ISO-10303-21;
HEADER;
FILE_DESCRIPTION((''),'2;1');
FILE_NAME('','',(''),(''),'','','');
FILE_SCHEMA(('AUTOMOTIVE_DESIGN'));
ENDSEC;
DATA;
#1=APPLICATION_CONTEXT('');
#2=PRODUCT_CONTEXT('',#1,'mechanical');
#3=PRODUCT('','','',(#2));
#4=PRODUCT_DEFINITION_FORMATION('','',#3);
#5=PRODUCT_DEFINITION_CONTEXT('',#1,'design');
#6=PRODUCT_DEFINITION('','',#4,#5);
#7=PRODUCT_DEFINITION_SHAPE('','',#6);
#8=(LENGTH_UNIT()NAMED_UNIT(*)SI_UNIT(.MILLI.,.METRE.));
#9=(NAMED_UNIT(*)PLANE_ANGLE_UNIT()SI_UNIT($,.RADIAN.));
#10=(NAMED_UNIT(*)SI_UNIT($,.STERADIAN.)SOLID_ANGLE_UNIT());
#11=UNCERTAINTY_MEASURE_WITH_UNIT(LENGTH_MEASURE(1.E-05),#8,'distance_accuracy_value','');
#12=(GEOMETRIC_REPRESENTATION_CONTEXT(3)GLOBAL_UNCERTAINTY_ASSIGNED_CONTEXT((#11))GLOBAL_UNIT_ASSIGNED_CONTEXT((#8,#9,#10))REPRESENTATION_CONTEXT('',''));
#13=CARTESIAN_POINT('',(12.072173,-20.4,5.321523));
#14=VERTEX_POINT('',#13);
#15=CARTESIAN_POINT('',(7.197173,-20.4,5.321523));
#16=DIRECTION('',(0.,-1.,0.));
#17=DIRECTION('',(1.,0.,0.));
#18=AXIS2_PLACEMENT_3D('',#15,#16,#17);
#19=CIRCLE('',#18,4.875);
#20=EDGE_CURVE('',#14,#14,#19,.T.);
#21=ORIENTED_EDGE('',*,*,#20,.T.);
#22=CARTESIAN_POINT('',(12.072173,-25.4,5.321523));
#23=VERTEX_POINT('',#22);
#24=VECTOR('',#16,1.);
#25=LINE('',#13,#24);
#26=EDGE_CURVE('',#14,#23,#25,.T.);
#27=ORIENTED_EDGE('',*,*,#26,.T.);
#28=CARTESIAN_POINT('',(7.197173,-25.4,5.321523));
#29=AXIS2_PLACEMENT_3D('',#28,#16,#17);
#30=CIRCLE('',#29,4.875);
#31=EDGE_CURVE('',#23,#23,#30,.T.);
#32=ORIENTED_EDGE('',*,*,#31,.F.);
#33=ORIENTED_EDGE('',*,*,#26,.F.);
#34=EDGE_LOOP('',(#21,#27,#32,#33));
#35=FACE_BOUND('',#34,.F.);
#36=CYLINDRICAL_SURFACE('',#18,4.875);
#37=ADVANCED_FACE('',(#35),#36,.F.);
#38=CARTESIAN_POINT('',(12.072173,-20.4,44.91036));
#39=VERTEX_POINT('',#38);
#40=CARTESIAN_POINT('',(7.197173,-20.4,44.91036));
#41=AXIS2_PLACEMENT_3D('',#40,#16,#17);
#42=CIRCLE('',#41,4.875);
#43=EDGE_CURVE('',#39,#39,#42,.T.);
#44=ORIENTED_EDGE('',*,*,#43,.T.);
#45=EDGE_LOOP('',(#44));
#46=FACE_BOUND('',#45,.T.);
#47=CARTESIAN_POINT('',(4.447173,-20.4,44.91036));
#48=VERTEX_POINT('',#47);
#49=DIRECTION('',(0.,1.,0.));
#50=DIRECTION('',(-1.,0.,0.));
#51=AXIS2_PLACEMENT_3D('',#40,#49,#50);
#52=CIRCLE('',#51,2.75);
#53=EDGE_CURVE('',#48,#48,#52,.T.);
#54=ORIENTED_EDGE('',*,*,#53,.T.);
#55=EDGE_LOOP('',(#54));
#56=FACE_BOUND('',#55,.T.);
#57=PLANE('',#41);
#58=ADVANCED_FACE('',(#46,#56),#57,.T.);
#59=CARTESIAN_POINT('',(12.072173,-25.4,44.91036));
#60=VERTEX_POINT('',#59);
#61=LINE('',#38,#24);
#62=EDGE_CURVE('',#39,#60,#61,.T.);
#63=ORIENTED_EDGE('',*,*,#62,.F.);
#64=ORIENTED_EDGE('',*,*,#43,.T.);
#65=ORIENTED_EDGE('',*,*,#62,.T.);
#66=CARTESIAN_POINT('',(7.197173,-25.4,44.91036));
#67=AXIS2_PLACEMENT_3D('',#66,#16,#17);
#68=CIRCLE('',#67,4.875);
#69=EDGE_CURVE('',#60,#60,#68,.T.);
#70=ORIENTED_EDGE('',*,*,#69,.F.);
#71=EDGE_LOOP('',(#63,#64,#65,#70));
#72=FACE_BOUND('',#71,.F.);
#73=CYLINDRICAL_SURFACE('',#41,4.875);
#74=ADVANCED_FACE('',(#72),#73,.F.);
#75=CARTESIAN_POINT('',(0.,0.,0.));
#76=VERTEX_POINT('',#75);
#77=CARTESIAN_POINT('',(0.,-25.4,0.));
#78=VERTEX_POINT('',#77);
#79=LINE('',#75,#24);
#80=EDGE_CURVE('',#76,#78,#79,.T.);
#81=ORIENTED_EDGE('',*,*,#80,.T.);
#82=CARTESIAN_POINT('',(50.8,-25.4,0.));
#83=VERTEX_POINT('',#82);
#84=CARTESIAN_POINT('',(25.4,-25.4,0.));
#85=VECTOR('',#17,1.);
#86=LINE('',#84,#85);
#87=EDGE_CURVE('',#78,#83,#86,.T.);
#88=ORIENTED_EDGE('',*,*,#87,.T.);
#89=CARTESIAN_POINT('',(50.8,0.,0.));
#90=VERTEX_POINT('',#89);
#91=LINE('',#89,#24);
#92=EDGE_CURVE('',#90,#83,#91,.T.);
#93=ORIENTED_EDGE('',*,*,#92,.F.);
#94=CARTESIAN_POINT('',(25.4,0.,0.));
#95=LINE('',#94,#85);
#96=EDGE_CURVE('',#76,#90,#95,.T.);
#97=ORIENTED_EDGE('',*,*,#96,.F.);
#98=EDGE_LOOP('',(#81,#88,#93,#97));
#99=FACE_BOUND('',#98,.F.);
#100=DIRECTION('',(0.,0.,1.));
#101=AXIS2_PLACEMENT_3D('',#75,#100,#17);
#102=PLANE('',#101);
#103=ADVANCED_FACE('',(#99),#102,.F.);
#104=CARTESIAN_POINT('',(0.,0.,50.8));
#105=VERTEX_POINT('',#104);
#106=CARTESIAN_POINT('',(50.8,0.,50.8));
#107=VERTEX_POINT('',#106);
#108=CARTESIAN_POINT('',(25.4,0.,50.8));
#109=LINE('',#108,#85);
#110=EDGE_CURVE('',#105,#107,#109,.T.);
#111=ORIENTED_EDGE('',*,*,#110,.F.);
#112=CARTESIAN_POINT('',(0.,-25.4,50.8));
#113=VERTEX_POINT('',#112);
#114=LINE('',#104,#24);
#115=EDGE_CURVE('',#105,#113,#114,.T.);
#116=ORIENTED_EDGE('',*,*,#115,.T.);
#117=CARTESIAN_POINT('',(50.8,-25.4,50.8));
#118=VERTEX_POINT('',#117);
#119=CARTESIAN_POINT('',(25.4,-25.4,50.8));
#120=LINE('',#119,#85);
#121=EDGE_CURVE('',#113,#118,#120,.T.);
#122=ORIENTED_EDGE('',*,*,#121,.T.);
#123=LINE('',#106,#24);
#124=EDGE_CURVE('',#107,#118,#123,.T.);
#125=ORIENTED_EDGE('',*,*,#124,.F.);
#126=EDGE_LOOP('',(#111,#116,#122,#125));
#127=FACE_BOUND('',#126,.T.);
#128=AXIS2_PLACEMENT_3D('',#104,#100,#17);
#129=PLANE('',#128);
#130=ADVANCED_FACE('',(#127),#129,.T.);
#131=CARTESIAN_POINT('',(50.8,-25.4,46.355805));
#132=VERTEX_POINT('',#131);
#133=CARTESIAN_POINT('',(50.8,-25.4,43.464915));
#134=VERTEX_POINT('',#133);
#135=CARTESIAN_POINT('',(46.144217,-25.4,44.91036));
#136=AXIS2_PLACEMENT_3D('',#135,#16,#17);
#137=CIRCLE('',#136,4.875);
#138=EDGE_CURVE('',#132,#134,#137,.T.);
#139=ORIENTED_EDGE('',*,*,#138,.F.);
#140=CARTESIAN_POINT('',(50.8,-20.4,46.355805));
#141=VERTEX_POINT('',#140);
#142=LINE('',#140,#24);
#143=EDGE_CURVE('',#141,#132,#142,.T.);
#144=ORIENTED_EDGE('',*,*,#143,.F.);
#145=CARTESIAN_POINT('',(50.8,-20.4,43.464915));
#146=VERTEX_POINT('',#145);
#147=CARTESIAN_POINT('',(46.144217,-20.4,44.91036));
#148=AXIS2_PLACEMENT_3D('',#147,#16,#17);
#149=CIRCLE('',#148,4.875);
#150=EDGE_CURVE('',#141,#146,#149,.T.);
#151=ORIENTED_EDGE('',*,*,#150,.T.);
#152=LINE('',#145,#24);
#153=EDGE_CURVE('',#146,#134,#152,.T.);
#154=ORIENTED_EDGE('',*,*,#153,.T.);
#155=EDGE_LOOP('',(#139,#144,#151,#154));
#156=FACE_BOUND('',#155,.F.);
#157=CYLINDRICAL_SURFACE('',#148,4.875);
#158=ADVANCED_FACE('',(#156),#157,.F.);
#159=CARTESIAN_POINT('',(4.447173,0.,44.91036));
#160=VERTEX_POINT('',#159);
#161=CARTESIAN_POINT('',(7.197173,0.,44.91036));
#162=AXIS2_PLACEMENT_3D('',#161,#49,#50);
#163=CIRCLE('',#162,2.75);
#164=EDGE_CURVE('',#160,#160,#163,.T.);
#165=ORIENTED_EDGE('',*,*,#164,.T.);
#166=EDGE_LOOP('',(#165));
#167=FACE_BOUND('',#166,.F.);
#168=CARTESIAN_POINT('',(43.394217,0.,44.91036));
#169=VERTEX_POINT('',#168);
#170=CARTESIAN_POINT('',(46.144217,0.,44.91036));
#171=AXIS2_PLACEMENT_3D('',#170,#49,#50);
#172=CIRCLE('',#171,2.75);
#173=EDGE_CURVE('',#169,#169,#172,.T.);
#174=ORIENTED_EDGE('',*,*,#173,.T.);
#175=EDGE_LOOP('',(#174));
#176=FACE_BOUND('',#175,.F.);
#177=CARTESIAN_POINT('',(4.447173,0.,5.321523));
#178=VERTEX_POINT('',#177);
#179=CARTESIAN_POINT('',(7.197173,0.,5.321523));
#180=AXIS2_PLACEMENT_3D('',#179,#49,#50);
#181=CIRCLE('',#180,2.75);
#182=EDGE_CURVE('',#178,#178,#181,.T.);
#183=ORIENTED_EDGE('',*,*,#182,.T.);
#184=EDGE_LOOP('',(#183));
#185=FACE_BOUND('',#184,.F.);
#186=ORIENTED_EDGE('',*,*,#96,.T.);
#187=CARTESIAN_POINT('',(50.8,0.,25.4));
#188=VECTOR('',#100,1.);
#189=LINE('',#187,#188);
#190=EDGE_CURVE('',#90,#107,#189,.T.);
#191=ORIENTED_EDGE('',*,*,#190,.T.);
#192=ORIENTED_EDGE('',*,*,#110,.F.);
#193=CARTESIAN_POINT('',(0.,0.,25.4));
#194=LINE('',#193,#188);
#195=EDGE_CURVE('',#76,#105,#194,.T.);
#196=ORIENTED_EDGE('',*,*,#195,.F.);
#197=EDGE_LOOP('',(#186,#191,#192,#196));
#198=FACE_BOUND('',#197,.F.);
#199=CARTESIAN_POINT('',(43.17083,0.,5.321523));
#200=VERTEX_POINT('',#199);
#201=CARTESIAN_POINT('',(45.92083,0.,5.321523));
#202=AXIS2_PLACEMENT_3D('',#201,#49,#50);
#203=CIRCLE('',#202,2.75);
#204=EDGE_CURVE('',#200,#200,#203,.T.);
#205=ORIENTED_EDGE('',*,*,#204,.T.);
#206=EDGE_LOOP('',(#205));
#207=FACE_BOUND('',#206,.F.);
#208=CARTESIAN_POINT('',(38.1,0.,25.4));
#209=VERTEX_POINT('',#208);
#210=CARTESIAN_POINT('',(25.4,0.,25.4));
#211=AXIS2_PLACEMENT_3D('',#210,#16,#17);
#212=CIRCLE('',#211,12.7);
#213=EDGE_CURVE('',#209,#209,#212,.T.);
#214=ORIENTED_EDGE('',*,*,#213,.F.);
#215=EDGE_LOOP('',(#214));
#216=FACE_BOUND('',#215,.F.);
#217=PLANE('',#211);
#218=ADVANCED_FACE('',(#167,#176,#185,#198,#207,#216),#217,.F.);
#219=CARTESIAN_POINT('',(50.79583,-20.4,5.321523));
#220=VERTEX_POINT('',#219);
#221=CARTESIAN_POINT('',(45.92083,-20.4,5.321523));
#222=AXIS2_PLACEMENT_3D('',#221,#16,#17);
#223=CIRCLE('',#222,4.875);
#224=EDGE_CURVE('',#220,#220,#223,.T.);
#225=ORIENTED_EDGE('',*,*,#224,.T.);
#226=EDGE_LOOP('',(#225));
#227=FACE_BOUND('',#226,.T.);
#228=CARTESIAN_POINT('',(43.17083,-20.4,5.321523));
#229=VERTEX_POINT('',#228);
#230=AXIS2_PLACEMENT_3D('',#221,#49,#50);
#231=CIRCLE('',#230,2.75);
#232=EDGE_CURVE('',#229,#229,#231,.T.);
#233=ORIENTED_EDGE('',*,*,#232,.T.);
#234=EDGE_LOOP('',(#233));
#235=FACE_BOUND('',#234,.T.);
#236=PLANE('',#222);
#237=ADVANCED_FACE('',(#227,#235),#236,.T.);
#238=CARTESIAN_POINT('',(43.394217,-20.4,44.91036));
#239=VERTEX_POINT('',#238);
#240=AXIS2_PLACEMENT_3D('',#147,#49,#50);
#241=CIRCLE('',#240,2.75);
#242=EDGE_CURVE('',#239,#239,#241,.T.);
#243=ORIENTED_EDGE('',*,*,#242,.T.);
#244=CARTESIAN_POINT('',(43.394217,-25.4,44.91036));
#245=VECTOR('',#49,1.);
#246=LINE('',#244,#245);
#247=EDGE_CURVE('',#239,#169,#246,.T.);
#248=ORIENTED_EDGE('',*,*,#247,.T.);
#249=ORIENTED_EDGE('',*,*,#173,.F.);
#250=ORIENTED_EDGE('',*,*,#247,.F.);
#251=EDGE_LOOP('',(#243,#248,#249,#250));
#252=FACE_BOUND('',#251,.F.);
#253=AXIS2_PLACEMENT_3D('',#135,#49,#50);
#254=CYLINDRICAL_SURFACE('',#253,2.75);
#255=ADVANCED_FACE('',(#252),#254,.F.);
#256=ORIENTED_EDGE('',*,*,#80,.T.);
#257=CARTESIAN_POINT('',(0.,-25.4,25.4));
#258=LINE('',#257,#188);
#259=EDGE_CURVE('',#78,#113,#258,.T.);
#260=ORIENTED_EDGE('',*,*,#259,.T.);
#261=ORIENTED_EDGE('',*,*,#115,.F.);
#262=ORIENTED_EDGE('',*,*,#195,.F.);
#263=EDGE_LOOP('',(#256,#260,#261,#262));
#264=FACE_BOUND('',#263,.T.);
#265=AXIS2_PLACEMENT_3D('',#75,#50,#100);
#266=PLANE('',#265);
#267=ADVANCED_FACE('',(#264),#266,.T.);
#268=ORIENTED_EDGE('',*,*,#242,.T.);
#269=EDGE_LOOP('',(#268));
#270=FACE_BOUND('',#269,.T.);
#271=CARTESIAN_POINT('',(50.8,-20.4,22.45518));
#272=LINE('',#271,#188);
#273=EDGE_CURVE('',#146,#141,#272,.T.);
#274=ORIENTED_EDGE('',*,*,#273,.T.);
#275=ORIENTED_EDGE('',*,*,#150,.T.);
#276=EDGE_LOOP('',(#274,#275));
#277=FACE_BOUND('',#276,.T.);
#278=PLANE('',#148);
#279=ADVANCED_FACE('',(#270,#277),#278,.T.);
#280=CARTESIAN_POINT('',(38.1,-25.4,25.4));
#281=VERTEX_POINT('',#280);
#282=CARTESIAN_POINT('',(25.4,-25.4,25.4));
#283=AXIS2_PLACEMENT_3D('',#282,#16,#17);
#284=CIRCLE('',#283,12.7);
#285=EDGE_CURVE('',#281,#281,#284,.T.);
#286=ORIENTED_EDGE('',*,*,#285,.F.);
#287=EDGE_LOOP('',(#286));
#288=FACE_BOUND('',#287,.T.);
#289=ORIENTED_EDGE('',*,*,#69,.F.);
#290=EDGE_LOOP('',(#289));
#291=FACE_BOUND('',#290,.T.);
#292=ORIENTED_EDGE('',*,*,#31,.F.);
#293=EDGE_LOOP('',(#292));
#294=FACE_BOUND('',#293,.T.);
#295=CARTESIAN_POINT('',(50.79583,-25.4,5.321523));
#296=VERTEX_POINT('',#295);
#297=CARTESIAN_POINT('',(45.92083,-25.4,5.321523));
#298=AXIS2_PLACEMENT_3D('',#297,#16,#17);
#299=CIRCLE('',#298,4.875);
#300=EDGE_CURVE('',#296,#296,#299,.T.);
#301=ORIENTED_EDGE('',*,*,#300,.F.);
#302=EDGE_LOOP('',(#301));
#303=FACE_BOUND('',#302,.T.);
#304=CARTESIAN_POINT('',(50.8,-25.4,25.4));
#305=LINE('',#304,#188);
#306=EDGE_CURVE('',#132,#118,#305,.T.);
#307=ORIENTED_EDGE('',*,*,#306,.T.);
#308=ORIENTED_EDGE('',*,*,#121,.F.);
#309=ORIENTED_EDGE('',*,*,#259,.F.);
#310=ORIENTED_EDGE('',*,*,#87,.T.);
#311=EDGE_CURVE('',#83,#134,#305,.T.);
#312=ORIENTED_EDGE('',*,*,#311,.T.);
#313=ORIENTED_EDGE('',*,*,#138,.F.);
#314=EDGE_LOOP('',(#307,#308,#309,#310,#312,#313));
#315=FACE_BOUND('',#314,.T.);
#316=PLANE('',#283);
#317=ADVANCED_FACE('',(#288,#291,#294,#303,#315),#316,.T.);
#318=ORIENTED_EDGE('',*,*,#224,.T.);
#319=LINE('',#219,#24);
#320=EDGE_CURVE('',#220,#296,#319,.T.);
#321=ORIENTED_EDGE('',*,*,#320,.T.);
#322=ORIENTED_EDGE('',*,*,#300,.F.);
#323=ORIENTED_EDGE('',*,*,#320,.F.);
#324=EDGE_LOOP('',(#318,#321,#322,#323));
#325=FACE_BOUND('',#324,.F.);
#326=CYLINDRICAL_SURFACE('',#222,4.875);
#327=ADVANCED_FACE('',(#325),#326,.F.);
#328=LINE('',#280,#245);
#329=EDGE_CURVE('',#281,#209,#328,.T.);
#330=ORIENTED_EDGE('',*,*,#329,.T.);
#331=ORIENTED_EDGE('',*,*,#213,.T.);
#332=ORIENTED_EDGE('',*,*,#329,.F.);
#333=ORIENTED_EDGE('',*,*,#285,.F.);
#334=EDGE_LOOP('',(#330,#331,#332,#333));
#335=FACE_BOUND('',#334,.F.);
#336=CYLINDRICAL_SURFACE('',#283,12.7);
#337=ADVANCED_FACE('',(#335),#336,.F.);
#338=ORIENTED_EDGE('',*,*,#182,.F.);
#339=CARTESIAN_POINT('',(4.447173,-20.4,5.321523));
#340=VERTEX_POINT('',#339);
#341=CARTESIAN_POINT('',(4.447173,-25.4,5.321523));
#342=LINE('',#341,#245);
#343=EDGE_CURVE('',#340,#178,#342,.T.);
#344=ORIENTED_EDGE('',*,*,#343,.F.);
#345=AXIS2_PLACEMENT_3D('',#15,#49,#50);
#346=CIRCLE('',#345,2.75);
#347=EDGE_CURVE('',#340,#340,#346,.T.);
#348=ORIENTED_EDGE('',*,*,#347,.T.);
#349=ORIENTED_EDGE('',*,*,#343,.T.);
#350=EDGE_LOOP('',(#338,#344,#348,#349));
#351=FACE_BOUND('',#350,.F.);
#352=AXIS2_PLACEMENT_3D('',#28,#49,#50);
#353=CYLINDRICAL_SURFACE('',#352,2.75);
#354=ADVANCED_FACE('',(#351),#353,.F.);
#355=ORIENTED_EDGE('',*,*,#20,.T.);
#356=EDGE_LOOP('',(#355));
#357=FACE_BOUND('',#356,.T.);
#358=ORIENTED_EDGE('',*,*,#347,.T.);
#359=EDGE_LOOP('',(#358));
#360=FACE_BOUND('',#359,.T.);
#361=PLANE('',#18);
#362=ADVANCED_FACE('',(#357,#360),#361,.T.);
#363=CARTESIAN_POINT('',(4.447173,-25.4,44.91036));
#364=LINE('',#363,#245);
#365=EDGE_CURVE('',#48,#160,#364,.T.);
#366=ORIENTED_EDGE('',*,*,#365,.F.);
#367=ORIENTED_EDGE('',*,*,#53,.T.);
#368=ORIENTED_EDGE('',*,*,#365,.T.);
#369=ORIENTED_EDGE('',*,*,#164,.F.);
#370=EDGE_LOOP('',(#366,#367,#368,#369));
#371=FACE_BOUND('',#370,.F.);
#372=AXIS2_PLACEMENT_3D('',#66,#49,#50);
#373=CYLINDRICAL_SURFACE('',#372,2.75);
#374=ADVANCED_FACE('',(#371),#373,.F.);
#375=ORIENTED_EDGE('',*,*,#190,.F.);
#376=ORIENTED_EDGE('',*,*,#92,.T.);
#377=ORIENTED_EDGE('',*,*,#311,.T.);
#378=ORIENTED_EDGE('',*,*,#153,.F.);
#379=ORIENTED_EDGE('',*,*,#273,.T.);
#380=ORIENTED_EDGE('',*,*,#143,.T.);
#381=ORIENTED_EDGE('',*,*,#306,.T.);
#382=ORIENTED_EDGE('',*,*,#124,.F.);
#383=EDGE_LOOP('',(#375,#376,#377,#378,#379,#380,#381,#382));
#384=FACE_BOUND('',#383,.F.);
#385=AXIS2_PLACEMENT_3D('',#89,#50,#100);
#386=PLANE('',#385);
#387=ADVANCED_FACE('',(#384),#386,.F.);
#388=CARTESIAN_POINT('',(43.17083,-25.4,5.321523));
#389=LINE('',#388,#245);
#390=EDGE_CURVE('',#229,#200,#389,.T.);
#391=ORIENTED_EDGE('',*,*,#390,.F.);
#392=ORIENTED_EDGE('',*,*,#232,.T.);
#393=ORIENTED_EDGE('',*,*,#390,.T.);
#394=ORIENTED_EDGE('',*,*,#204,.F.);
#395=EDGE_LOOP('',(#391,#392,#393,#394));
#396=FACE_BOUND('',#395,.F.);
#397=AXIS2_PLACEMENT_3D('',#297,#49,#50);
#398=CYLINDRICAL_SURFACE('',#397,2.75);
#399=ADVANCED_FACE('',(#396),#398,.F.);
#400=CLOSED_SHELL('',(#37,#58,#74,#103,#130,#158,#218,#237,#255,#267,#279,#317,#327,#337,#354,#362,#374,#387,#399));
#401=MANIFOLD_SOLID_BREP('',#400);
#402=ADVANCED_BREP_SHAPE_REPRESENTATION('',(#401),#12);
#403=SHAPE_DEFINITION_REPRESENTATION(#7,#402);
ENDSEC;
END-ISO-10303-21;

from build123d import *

# Parameters (mm, degrees)
F0_W           = 50.8
F0_H           = 50.8
F1_DEPTH       = 25.4
F2_R           = 12.7
F3_DEPTH       = 25.401
F5_D           = 5.5
F5_CBORE_D     = 9.75
F5_CBORE_DEPTH = 5


with BuildPart() as f1:
    # F0 (on Front) → F1 (new body)
    with BuildSketch(Plane.XZ):
        with Locations((25.4, 25.4)):
            Rectangle(F0_W, F0_H)
    extrude(amount=F1_DEPTH)

    # F2 (on face) → F3 (cut, through all)
    with BuildSketch(Plane.XZ.offset(25.4)):
        with Locations((25.4, 25.4)):
            Circle(F2_R)
    extrude(amount=-F3_DEPTH, mode=Mode.SUBTRACT)

    # F5 (through all)
    with Locations(Plane.XZ.offset(25.4)):
        with Locations((7.1971733123, 44.9103601277), (46.1442172527, 44.9103601277), (45.92083022, 5.3215231746), (7.1971733123, 5.3215231746)):
            CounterBoreHole(F5_D / 2, F5_CBORE_D / 2, F5_CBORE_DEPTH)


solid = f1.part
